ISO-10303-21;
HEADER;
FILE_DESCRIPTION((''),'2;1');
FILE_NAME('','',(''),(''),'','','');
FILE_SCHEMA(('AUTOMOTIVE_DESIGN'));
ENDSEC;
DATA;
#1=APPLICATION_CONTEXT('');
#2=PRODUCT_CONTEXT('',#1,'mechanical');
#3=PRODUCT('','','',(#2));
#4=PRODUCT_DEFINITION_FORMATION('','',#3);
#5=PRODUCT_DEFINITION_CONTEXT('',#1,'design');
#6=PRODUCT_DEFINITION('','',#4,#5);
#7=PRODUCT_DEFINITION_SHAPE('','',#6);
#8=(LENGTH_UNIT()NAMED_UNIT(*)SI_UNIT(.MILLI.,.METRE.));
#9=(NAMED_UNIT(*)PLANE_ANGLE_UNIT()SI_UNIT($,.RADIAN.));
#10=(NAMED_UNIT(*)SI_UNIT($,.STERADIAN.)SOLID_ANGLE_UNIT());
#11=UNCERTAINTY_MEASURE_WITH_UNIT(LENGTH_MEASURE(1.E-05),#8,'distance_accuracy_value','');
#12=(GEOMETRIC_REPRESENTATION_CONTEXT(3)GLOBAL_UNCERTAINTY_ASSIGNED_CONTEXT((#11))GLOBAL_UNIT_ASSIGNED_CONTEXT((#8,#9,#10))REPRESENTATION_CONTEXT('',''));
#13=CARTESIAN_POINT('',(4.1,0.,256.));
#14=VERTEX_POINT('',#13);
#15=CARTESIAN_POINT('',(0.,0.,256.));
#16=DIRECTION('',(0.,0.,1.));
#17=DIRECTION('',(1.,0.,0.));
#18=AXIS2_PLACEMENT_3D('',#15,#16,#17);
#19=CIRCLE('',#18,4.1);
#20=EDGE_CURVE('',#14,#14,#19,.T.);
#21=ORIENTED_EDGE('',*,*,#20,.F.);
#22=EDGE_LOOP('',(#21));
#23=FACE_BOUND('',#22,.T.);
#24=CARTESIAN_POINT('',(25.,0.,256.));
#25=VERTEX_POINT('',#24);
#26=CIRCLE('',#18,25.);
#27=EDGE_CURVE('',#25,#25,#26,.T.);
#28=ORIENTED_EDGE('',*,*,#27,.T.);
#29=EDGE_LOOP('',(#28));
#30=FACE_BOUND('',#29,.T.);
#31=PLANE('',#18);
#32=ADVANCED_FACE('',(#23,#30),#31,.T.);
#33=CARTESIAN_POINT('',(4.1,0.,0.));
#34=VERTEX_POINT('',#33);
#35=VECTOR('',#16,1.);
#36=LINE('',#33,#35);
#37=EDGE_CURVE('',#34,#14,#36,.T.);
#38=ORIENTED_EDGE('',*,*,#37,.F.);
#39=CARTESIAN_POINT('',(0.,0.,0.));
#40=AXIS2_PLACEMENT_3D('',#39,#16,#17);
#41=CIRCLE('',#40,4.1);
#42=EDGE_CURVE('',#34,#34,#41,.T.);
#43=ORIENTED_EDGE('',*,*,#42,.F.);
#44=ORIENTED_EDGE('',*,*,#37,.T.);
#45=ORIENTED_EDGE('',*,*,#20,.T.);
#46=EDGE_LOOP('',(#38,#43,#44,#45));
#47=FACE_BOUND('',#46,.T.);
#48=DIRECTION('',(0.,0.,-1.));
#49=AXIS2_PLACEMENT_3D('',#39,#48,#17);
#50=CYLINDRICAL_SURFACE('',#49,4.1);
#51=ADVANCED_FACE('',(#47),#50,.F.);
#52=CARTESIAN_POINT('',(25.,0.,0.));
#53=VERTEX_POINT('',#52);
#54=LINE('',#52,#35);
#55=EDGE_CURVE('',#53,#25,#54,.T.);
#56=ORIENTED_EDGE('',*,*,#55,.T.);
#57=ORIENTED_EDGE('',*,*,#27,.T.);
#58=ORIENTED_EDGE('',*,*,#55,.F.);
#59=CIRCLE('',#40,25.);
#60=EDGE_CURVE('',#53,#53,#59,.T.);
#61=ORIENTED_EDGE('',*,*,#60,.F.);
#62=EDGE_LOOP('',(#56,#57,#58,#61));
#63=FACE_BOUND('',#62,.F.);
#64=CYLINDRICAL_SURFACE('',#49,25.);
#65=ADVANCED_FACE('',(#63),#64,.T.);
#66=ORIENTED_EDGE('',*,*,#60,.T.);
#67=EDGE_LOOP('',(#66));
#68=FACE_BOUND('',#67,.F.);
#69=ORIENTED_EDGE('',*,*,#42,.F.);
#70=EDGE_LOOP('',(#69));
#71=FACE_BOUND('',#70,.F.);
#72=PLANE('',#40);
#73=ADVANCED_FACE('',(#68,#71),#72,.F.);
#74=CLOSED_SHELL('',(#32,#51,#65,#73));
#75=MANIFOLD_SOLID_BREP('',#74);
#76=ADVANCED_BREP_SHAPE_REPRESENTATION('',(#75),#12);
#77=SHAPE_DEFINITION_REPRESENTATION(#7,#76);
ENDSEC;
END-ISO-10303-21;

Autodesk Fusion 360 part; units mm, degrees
sketch "Sketch1" plane through (0, 0, 0) normal (0, 0, 1) x (1, 0, 0)
  circle A0 centre (0, 0) radius 4.1
  circle A1 centre (0, 0) radius 25
  dimension "d1" = 8.2
  dimension "d2" = 50
extrude "Extrude1" add sketch "Sketch1" along normal blind 256
